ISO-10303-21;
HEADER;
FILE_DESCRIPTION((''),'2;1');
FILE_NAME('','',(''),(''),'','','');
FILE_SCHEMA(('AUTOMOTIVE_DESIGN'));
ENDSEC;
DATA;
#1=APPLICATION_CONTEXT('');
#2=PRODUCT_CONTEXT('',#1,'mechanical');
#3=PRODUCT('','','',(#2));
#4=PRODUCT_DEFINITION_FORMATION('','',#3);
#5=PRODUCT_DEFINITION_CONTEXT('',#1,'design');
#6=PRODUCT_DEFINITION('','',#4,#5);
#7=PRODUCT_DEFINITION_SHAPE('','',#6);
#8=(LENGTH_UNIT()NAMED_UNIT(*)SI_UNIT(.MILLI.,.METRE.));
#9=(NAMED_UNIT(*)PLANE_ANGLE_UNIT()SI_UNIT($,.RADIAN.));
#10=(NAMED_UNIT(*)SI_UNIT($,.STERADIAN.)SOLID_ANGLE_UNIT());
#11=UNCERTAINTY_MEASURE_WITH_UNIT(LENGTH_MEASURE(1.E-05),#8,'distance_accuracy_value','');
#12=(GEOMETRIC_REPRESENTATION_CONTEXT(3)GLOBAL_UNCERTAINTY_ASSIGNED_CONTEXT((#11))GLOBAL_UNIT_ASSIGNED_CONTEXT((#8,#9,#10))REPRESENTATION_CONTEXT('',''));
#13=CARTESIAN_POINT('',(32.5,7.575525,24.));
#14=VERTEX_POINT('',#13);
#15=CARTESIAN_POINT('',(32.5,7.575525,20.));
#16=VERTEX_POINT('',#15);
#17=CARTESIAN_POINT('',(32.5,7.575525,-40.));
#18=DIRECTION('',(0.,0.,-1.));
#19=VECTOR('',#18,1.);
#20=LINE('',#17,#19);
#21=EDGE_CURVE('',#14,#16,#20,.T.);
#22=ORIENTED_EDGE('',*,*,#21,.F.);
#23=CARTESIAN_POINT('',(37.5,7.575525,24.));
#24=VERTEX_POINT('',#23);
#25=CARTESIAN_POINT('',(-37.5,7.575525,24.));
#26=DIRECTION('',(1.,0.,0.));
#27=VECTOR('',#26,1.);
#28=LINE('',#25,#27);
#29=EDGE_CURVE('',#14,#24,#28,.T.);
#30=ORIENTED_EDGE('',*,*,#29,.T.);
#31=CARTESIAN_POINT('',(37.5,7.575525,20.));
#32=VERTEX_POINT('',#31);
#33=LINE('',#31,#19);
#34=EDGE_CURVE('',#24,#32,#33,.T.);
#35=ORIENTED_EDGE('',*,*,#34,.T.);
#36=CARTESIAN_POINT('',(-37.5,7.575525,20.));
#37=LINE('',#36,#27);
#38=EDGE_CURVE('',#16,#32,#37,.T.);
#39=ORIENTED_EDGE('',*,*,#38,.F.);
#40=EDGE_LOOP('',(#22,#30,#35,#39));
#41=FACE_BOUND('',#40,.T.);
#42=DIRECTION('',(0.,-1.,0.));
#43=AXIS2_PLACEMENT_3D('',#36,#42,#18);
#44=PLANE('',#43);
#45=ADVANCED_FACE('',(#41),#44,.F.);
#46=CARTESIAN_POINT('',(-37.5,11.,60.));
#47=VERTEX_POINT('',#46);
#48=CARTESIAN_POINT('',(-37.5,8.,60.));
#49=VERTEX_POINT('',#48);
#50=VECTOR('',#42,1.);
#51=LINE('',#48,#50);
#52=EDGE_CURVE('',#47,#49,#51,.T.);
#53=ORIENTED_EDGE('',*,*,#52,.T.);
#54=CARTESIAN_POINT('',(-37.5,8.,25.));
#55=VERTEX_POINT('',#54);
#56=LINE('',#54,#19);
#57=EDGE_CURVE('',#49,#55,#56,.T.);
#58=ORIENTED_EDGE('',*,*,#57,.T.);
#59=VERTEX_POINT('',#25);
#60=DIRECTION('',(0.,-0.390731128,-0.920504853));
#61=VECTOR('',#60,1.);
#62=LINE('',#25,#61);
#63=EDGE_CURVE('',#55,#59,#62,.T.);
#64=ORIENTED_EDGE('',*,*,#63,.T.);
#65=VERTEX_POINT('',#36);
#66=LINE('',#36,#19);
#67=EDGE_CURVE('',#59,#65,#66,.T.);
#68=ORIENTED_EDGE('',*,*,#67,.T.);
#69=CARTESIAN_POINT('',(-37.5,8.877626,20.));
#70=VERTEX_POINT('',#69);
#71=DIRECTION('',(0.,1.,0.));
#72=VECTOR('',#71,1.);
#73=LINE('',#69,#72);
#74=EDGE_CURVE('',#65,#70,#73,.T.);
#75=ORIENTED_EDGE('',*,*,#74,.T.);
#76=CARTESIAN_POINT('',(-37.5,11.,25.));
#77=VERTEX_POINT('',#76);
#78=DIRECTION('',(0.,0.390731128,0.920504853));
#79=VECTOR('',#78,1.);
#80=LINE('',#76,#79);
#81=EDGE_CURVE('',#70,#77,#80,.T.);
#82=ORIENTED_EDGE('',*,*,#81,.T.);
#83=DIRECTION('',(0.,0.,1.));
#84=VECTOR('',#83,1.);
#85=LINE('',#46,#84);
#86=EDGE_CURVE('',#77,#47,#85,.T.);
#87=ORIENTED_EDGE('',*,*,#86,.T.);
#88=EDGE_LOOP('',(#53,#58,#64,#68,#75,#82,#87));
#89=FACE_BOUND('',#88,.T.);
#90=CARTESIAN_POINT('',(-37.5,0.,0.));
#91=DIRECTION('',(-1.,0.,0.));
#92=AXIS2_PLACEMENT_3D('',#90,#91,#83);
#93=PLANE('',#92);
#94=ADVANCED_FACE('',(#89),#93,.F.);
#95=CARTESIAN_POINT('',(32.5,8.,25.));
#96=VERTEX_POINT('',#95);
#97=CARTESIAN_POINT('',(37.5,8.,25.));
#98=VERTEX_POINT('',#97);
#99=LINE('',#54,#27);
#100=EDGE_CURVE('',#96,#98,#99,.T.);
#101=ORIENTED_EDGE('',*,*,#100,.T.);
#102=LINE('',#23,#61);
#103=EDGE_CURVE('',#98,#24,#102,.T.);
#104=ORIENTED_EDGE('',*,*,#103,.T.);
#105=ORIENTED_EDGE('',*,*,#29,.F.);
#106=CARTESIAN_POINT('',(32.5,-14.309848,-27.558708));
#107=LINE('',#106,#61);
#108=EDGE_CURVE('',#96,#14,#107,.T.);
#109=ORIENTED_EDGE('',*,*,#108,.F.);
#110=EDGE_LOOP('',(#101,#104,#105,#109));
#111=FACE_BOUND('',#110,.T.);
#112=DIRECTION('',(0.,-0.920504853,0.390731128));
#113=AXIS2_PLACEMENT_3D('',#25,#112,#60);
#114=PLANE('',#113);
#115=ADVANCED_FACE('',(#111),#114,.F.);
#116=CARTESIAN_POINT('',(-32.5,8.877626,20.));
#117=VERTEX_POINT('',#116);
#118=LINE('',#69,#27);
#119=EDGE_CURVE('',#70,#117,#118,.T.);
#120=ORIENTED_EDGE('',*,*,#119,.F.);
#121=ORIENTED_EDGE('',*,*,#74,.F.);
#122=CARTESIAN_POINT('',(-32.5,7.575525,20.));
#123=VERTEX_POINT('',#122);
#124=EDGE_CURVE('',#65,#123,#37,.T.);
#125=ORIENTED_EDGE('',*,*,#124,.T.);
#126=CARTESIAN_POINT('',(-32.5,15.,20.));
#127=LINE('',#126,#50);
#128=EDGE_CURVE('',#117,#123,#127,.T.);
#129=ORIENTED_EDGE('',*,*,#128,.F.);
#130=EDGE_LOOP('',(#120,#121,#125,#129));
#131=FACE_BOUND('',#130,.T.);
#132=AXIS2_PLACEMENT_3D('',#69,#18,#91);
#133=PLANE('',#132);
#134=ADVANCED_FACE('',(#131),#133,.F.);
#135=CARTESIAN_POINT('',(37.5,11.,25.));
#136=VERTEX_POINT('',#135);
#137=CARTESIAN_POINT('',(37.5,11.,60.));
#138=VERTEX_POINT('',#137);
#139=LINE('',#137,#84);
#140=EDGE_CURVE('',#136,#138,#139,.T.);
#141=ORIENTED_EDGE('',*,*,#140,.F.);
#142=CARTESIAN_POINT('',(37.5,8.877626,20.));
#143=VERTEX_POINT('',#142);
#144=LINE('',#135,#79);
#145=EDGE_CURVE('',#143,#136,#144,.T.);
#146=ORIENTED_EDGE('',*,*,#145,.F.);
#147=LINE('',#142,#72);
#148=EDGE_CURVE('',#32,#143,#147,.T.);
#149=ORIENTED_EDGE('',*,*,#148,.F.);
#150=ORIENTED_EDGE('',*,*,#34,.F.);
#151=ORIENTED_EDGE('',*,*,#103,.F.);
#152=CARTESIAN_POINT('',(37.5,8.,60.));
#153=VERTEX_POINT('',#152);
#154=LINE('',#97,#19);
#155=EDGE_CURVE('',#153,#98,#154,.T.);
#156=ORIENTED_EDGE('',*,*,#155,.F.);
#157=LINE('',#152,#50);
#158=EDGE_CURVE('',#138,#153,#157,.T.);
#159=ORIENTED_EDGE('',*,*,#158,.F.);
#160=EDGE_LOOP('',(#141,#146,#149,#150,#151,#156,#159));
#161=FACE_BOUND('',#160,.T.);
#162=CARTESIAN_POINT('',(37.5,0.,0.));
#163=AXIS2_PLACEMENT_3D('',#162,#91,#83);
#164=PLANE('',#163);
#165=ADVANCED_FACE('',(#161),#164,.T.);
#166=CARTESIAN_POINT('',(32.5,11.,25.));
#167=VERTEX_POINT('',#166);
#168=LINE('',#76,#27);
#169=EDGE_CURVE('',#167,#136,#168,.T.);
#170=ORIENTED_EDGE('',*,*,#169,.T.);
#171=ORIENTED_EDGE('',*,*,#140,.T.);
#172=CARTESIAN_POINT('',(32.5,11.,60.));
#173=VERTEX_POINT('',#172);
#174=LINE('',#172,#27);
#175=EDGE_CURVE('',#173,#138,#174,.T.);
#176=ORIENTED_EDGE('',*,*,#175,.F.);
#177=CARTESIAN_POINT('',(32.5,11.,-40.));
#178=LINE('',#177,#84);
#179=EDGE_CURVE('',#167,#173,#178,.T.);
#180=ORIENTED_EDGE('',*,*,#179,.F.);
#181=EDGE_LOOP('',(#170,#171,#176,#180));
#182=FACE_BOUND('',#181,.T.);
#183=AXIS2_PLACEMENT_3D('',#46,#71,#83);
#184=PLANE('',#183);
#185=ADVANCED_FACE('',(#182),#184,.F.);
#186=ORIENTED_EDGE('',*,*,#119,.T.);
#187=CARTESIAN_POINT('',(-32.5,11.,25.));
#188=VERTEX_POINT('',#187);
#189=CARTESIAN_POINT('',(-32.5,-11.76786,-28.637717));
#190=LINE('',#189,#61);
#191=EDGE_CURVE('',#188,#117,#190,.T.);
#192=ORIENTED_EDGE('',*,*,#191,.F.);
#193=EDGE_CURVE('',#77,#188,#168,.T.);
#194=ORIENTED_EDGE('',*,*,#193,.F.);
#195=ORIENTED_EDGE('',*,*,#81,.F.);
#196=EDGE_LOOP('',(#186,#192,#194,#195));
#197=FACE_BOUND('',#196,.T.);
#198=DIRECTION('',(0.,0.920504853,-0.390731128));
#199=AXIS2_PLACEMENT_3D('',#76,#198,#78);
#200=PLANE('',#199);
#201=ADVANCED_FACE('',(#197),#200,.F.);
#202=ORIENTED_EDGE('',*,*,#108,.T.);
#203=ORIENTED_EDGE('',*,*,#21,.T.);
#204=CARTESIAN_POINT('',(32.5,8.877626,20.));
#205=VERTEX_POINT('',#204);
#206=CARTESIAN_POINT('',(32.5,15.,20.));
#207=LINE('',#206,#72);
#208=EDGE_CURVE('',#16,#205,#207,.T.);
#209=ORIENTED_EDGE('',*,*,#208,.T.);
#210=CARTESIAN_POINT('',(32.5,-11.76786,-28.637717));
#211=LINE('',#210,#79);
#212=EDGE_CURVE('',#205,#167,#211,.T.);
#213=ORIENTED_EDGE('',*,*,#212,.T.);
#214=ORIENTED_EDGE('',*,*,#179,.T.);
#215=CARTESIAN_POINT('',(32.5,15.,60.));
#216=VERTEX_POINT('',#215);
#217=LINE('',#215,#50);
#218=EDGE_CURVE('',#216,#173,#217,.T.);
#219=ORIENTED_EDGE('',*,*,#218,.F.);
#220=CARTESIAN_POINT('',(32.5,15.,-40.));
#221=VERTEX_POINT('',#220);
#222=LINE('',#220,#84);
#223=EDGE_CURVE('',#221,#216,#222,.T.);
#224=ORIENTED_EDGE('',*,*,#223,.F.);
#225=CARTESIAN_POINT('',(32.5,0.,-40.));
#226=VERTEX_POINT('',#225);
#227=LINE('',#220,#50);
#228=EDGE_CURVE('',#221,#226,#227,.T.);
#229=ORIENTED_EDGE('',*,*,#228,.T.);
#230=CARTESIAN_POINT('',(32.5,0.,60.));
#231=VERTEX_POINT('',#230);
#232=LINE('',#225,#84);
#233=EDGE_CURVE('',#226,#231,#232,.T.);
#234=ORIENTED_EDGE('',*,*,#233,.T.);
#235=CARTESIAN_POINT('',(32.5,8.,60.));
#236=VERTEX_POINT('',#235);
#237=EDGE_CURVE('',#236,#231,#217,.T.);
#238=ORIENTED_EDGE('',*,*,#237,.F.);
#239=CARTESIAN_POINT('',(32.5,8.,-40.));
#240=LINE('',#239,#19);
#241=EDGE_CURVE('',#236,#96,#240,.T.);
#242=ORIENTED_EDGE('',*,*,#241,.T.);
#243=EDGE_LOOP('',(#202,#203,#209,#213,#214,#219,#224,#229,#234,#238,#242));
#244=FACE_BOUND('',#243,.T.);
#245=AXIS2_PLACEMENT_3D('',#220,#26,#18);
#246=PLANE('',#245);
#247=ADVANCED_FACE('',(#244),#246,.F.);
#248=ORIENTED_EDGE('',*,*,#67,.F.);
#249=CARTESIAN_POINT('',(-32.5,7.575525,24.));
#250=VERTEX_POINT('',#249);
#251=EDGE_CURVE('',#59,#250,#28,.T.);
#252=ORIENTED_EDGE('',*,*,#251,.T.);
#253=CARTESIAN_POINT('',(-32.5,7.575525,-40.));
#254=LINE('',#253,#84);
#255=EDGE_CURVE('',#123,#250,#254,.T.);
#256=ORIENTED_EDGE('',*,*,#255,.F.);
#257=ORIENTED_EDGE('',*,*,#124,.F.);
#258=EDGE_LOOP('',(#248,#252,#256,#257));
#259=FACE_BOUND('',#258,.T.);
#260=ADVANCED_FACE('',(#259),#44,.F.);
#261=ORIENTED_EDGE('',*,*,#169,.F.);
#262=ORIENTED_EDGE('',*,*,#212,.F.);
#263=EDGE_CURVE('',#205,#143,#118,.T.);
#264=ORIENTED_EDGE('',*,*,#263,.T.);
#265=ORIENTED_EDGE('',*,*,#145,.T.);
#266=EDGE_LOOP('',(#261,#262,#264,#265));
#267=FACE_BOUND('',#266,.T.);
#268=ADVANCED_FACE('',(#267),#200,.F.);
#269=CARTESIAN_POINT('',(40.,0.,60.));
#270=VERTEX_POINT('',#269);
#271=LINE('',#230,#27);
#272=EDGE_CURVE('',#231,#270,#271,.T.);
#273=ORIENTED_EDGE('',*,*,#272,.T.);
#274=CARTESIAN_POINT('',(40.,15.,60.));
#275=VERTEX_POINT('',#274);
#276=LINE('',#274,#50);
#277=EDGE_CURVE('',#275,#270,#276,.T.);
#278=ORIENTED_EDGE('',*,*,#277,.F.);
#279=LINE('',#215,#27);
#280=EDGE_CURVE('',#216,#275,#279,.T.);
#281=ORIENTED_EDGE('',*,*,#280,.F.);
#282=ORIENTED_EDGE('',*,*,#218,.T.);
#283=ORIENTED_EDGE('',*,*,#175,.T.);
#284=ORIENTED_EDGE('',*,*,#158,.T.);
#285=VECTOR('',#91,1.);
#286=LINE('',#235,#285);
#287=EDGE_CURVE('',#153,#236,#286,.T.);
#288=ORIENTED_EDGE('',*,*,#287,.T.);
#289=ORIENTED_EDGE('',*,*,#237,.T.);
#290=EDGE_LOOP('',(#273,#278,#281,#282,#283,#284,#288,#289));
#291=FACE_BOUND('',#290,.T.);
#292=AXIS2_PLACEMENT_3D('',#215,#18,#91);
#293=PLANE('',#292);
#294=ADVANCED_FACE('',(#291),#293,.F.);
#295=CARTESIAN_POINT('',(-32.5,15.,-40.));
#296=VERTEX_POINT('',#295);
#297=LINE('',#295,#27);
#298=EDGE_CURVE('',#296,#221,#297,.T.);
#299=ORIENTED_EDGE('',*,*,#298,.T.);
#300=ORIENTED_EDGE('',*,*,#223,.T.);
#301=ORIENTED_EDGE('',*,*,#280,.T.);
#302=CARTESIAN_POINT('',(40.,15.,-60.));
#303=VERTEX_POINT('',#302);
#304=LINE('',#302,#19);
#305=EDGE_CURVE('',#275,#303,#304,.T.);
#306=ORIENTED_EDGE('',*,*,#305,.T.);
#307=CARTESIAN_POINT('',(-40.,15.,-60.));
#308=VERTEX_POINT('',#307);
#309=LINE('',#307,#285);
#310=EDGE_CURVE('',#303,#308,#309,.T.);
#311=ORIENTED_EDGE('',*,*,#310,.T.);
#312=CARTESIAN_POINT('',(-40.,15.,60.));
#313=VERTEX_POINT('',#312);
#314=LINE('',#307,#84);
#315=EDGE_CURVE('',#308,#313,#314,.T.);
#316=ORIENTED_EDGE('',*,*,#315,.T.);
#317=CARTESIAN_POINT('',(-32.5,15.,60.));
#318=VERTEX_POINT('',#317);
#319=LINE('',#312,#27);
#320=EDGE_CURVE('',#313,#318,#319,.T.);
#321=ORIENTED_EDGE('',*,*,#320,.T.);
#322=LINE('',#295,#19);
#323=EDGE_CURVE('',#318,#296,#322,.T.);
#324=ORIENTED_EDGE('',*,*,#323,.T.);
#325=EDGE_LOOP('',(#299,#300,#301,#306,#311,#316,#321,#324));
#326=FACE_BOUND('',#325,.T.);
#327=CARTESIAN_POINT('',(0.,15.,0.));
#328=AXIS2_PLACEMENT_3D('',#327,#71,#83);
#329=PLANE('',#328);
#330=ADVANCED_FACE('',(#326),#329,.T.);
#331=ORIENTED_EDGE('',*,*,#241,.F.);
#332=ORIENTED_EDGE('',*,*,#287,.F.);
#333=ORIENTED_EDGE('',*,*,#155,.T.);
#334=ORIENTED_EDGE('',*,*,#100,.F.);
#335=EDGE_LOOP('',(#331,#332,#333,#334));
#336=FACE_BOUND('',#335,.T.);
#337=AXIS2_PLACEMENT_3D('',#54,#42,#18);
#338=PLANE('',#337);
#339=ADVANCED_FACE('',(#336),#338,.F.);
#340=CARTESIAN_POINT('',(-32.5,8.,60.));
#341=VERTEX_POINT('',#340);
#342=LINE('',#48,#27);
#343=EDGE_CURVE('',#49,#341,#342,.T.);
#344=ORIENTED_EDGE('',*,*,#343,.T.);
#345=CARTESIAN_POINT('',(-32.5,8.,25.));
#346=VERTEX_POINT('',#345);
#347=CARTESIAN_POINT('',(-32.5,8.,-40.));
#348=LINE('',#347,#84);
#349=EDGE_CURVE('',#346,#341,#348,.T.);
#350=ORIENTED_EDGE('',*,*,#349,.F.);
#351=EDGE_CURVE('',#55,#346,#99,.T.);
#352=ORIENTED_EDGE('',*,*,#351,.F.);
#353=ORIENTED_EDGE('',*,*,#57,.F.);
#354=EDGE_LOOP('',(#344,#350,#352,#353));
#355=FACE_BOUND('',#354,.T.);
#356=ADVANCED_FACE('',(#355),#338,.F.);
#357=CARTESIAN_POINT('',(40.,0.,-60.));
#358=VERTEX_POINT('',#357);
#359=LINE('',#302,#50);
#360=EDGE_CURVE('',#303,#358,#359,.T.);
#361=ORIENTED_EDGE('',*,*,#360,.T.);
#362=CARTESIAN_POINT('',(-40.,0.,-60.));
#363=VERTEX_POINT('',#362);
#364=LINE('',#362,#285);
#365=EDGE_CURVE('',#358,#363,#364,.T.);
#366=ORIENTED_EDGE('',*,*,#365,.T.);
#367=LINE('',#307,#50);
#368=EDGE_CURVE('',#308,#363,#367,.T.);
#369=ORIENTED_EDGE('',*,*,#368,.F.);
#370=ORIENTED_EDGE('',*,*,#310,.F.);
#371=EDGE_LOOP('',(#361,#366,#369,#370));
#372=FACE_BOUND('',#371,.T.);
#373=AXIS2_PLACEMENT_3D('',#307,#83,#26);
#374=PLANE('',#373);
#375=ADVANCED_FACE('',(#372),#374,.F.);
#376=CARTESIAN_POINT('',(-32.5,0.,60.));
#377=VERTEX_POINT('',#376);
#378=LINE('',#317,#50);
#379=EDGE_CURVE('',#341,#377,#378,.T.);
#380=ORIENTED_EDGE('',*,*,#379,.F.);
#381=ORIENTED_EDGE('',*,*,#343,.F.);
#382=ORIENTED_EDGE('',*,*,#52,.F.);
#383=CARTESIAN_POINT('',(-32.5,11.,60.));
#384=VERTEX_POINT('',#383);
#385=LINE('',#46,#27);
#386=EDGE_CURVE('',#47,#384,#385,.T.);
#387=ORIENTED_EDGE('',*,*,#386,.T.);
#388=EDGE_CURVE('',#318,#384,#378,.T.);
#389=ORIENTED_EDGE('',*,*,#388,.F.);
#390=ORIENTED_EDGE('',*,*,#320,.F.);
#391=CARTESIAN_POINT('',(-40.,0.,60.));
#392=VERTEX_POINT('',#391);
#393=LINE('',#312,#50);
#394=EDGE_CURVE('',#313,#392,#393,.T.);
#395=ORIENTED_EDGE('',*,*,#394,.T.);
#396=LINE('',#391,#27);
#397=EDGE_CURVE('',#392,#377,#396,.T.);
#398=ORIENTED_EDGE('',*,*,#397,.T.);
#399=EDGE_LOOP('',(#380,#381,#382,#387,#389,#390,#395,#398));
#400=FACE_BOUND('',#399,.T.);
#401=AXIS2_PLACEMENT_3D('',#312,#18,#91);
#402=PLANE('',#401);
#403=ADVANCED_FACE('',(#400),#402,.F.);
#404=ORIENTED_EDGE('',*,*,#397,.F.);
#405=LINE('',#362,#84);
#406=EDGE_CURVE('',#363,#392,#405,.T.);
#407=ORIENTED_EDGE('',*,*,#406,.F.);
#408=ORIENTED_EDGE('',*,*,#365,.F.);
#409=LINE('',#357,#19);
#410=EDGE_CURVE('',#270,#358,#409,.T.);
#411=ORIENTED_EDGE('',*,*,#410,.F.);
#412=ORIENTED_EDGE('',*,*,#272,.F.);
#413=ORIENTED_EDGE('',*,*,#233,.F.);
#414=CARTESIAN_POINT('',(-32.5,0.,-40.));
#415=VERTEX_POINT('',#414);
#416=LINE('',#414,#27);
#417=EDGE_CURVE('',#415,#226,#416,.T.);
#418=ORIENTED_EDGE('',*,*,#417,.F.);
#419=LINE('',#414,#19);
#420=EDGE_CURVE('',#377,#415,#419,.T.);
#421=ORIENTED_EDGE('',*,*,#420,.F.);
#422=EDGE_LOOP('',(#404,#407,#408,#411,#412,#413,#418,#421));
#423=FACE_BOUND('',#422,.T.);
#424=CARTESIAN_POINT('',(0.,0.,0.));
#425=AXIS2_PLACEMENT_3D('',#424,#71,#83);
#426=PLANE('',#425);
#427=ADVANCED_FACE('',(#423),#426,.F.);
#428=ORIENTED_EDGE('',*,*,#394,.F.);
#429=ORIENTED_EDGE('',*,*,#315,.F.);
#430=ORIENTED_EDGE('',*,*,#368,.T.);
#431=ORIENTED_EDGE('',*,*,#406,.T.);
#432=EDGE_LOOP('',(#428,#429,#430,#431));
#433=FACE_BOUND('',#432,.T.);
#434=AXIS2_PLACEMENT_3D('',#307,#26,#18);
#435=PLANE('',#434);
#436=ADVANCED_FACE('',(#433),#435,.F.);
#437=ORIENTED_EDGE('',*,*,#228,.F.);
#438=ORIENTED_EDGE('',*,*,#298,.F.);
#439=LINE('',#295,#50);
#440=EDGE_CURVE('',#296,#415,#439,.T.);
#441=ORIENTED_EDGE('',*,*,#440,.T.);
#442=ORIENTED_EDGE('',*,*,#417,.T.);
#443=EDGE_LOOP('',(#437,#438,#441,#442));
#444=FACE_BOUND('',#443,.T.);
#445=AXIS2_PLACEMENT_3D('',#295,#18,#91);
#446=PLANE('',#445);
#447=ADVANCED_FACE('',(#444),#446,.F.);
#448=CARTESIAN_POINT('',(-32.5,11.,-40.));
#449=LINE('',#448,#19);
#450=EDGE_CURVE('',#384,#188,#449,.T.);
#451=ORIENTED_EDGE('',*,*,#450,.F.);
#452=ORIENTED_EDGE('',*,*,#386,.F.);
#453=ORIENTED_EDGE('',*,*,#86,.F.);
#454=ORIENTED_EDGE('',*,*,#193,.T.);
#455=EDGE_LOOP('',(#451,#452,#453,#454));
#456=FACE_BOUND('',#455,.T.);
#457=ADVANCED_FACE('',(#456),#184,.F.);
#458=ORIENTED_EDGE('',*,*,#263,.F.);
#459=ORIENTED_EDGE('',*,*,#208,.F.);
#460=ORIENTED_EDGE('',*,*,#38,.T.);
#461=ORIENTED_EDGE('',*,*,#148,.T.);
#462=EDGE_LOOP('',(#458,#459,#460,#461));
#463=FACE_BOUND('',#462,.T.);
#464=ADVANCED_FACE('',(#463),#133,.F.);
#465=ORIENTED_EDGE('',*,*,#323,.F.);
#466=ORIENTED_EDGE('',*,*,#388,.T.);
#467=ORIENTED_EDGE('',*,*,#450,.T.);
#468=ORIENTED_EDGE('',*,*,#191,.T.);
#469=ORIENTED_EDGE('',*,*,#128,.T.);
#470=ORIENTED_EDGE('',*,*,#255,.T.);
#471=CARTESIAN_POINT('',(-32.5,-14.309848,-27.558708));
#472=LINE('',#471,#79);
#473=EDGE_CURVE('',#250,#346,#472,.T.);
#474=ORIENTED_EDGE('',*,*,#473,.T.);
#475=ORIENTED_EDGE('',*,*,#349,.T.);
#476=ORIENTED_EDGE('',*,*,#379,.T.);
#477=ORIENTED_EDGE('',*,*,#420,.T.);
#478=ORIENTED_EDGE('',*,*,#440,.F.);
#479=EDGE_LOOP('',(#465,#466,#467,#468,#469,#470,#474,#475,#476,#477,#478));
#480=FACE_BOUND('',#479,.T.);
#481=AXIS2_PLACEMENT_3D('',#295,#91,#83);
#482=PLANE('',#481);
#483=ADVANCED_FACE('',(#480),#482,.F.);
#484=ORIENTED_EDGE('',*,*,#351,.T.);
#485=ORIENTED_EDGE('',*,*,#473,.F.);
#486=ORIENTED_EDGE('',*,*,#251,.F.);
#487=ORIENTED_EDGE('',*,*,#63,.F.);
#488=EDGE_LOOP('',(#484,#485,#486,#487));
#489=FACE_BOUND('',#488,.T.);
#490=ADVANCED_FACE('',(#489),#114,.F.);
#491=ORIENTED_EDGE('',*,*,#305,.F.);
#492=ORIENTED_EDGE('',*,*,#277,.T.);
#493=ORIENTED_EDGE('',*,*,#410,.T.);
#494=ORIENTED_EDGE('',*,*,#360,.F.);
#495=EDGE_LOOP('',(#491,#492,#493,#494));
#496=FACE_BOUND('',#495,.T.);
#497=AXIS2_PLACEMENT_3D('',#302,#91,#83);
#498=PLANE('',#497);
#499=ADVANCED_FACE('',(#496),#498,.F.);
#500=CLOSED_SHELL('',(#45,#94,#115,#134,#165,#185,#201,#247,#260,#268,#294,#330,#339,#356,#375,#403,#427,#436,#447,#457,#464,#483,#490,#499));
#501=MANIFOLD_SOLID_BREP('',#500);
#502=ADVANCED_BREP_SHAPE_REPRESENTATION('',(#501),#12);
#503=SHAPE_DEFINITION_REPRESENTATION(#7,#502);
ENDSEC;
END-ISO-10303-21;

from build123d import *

# Parameters (mm, degrees)
BOSS_EXTRUDE1_DEPTH = 15
CUT_EXTRUDE1_DEPTH  = 37.5


with BuildPart() as part:
    # Sketch1 → Boss-Extrude1 (new body)
    with BuildSketch(Plane(origin=(0, 0, 0), x_dir=(1, 0, 0), z_dir=(0, 1, 0))):
        Polygon((32.5, -60), (40, -60), (40, 60), (-40, 60), (-40, -60), (-32.5, -60), (-32.5, 40), (32.5, 40), align=None)
    extrude(amount=BOSS_EXTRUDE1_DEPTH)

    # Sketch2 → Cut-Extrude1 (cut, symmetric)
    with BuildSketch(Plane(origin=(0, 0, 0), x_dir=(0, 0, -1), z_dir=(1, 0, 0))):
        Polygon((-60, 11), (-25, 11), (-20, 8.877625919), (-20, 7.575525184), (-24, 7.575525184), (-25, 8), (-60, 8), align=None)
    extrude(amount=CUT_EXTRUDE1_DEPTH, both=True, mode=Mode.SUBTRACT)


solid = part.part
